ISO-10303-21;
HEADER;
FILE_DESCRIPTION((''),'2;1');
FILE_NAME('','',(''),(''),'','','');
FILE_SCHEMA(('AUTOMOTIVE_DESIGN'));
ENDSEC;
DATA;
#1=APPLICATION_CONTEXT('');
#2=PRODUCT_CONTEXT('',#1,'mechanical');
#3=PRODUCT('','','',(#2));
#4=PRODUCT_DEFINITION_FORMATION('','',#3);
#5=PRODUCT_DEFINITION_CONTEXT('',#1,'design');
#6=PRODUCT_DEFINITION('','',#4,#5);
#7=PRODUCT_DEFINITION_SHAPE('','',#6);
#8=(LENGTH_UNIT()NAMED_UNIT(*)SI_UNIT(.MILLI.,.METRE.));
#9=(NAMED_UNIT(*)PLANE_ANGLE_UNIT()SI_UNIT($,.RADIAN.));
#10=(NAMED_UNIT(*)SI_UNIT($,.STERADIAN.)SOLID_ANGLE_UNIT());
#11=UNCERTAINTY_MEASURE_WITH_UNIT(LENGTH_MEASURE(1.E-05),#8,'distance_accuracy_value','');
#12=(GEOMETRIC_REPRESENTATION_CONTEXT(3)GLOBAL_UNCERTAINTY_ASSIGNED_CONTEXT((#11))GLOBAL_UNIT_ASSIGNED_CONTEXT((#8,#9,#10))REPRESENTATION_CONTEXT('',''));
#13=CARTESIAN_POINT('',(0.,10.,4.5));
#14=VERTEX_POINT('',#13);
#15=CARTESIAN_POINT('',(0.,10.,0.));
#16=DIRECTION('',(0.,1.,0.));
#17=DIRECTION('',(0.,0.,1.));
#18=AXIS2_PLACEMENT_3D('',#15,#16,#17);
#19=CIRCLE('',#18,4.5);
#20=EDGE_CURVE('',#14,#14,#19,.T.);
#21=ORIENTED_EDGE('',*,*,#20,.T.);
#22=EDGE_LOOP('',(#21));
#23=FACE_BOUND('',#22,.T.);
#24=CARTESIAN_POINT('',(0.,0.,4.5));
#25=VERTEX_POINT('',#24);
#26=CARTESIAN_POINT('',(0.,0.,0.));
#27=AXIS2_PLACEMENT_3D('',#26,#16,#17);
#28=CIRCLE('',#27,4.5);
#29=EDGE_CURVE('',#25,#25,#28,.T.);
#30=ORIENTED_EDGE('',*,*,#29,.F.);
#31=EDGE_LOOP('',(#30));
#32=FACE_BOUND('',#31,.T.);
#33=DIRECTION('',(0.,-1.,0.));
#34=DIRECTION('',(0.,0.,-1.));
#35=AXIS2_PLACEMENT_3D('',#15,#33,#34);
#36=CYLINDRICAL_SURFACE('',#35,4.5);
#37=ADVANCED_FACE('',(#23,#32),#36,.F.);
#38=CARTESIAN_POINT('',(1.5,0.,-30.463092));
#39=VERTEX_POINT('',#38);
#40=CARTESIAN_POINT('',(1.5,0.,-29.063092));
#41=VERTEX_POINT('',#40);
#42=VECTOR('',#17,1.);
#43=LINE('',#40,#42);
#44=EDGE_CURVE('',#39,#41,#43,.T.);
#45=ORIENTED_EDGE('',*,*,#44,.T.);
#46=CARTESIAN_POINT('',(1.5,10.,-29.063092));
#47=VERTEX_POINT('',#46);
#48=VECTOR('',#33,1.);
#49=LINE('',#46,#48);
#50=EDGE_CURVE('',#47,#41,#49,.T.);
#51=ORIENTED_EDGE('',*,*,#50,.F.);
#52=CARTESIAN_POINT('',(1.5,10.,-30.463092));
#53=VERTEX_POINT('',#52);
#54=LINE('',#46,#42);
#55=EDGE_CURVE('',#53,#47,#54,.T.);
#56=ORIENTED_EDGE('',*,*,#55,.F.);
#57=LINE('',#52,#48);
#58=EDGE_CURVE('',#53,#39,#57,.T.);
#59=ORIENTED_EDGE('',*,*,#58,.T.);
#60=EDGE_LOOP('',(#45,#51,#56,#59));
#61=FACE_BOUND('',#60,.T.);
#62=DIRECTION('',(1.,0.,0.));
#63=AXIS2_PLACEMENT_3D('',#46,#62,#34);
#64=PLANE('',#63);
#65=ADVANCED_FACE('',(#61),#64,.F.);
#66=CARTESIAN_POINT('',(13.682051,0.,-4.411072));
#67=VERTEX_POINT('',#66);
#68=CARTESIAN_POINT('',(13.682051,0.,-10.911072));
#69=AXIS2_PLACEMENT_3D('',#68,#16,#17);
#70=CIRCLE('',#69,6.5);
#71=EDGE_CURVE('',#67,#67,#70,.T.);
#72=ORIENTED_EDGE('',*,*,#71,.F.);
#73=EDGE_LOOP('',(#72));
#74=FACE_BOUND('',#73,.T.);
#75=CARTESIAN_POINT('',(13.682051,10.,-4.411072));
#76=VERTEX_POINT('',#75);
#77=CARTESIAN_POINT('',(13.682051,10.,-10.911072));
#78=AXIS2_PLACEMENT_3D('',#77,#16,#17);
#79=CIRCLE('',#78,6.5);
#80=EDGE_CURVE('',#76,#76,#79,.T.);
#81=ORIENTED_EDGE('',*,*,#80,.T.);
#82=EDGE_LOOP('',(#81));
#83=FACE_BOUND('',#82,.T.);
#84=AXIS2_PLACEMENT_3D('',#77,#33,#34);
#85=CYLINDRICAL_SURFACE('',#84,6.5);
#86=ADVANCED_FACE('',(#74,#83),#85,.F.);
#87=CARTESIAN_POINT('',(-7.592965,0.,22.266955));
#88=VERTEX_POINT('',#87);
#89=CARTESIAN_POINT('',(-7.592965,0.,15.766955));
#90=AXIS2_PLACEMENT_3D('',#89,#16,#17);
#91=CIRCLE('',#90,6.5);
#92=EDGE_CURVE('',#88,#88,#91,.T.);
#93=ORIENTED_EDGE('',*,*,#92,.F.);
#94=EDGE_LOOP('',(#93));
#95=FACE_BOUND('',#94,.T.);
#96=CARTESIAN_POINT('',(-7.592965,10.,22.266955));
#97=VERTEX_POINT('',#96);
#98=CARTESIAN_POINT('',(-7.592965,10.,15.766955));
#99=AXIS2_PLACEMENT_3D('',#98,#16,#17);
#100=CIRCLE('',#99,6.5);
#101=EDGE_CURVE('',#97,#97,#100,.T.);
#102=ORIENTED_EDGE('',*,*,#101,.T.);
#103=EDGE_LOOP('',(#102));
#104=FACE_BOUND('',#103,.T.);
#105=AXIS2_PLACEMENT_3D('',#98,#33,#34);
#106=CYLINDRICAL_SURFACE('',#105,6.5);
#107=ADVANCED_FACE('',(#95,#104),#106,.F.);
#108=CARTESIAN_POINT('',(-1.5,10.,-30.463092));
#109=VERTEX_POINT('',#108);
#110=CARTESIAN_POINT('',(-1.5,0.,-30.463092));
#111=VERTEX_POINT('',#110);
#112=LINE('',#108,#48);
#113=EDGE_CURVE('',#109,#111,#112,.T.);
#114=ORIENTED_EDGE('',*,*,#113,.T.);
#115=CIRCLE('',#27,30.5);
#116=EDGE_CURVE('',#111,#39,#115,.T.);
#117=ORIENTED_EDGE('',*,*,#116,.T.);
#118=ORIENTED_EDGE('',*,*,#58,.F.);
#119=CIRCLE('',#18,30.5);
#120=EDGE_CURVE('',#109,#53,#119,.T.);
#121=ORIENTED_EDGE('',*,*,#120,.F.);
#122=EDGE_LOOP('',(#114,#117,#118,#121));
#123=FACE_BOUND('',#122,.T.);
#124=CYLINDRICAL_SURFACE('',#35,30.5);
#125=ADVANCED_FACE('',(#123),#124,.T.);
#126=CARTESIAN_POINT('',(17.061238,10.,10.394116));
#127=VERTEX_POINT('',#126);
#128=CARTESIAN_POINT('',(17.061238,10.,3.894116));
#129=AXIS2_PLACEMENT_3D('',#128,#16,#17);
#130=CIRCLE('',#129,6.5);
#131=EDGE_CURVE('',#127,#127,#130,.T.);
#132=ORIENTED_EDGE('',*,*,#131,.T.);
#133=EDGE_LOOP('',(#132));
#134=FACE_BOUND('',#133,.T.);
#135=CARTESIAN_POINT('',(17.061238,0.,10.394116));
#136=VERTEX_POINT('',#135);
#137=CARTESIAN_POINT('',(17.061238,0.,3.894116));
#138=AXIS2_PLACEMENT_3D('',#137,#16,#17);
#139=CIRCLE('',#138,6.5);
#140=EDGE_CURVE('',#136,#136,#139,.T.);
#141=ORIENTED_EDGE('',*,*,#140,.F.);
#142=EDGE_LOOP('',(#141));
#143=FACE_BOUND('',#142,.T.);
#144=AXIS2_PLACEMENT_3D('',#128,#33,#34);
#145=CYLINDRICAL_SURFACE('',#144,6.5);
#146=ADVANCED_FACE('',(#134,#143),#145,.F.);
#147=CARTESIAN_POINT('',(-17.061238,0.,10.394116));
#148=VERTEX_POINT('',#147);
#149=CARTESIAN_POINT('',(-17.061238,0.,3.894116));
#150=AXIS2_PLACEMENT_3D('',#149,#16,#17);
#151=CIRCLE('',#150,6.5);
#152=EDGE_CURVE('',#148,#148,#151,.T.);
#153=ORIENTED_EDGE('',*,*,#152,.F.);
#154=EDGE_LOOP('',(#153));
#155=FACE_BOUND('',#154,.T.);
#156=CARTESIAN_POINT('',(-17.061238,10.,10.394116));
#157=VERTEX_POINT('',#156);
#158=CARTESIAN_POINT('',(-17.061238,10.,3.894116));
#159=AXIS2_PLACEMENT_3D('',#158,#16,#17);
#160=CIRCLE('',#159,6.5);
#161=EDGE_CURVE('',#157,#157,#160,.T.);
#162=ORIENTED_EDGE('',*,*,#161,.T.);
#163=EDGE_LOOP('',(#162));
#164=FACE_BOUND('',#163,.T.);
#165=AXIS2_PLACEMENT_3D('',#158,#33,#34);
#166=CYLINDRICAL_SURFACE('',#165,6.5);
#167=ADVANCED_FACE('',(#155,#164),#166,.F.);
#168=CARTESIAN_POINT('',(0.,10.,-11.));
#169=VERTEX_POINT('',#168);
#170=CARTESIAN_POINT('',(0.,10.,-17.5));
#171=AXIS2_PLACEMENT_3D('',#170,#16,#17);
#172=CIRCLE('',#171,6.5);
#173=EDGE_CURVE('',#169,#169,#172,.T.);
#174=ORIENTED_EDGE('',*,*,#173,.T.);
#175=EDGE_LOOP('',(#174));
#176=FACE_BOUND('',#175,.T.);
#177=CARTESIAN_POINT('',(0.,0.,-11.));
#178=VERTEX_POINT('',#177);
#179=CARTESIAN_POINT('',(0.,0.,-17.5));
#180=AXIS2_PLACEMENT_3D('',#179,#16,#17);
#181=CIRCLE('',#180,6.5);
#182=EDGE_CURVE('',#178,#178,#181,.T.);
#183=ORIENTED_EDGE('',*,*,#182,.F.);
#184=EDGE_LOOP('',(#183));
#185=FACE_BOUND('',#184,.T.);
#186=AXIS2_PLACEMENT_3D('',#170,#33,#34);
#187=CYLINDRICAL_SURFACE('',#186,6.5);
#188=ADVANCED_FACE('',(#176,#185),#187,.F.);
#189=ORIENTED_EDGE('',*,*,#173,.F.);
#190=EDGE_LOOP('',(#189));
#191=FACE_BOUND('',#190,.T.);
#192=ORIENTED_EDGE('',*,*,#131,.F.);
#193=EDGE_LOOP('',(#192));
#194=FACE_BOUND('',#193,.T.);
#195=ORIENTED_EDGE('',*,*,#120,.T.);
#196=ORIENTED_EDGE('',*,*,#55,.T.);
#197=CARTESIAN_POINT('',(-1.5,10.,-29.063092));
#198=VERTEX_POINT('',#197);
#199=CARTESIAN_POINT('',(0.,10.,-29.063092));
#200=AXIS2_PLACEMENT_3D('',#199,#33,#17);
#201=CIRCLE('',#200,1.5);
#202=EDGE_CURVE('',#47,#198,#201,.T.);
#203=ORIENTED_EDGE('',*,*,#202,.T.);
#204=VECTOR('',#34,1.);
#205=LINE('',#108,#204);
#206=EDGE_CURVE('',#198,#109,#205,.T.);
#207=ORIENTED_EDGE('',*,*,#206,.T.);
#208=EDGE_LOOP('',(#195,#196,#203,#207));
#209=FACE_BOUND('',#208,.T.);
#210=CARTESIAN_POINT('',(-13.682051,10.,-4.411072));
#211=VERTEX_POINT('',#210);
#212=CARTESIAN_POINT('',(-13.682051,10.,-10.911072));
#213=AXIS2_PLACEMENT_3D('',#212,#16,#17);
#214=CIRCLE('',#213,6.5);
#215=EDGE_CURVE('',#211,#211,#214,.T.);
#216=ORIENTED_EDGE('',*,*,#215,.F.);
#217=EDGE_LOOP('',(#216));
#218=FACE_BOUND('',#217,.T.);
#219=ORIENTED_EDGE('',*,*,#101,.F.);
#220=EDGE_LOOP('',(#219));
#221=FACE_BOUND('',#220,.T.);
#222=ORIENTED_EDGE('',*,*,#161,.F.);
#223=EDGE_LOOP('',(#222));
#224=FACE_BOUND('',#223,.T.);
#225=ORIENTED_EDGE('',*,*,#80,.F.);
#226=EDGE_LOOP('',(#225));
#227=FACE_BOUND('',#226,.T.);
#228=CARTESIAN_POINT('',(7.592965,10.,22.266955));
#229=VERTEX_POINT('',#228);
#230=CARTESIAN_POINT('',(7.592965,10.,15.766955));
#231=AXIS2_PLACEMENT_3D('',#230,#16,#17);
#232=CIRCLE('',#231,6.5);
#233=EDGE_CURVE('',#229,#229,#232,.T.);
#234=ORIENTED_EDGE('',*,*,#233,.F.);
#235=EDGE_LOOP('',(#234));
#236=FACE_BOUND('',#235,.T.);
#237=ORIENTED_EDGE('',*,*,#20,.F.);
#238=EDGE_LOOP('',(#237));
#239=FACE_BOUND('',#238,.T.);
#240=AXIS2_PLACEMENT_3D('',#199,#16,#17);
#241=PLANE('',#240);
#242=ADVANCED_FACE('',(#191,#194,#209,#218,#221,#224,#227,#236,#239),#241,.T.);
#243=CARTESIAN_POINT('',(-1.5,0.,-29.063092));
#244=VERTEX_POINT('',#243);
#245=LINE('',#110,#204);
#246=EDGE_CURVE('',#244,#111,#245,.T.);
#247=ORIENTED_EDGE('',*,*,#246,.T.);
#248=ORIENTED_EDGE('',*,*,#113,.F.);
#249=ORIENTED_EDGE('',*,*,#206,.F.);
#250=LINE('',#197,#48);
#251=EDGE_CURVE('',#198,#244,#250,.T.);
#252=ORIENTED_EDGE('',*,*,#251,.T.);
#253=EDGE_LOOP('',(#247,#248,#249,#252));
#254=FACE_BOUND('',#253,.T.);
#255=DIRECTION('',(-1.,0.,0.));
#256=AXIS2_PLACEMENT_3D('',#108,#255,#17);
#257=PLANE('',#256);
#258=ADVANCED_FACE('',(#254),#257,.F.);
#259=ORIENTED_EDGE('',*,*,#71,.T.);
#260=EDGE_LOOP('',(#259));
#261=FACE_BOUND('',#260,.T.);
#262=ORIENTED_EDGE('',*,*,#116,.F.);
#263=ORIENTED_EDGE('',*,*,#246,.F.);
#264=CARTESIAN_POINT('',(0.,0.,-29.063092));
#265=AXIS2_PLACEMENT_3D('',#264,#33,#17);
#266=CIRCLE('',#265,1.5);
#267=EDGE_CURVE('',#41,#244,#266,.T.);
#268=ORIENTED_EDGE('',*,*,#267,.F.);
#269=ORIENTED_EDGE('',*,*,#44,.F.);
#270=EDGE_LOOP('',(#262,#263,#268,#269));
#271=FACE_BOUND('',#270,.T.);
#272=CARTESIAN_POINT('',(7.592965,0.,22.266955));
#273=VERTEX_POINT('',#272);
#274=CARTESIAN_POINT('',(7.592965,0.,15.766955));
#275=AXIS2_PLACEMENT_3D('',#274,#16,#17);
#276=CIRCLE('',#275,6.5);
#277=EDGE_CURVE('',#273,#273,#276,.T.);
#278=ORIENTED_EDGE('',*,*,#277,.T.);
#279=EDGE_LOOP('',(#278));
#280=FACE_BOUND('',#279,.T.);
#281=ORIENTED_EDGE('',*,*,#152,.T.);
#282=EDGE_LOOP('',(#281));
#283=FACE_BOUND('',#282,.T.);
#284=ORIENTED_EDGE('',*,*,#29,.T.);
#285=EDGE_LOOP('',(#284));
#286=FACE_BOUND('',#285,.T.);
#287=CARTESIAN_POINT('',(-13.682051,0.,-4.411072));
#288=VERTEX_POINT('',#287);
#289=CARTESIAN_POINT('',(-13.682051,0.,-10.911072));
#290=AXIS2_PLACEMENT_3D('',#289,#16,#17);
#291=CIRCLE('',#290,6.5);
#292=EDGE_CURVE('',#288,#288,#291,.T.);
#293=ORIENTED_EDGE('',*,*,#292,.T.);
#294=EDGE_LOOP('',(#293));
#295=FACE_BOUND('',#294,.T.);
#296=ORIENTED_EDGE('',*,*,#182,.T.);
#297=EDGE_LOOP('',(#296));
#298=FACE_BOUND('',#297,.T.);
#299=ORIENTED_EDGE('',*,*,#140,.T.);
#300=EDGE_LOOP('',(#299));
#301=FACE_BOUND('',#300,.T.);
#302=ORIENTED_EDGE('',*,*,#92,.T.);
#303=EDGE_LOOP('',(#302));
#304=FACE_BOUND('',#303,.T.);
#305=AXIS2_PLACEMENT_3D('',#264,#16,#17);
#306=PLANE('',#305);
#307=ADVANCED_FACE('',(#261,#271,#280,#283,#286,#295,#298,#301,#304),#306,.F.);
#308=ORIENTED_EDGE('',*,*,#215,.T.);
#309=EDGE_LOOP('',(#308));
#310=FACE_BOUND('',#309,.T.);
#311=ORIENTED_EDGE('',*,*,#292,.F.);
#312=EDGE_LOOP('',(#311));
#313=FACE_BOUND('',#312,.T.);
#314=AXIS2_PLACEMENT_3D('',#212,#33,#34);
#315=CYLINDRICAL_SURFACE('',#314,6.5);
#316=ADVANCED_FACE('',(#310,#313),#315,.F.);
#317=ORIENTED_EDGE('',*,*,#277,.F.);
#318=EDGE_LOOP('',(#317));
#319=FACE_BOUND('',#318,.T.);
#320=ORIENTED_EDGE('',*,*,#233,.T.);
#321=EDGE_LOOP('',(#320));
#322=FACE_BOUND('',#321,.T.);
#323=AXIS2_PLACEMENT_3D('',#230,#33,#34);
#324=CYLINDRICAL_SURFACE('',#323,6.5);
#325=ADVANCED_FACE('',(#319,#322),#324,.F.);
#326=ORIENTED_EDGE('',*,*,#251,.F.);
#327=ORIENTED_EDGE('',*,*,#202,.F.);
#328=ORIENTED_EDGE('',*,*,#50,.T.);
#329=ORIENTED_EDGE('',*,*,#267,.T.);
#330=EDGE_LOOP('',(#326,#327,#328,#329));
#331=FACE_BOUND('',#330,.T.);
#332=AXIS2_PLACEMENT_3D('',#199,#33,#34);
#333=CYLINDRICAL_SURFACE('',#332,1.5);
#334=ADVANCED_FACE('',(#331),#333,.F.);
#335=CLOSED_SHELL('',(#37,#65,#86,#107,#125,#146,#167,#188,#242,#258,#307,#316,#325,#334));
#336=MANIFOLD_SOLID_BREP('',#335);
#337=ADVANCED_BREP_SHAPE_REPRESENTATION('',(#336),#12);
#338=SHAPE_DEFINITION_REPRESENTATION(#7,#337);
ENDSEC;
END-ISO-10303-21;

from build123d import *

# Parameters (mm, degrees)
SZKIC1_R                    = 4.5
SZKIC1_R_2                  = 6.5
DODANIE_WYCI_GNI_CIE1_DEPTH = 10


with BuildPart() as part:
    # Szkic1 → Dodanie-wyciągnięcie1 (new body)
    with BuildSketch(Plane(origin=(0, 0, 0), x_dir=(1, 0, 0), z_dir=(0, 1, 0))):
        with BuildLine():
            Line((-1.5, 30.463092423), (-1.5, 29.063092423))
            ThreePointArc((-1.5, 29.063092423), (0, 27.563092423), (1.5, 29.063092423))
            Line((1.5, 29.063092423), (1.5, 30.463092423))
            ThreePointArc((1.5, 30.463092423), (0, -30.5), (-1.5, 30.463092423))
        make_face()
        with Locations(Location((0, 0, 0), (0, 0, 270))):
            Circle(SZKIC1_R, mode=Mode.SUBTRACT)
        with Locations(Location((0, 17.5, 0), (0, 0, 270))):
            Circle(SZKIC1_R_2, mode=Mode.SUBTRACT)
        with Locations(Location((13.682050943, 10.911071533, 0), (0, 0, 270))):
            Circle(SZKIC1_R_2, mode=Mode.SUBTRACT)
        with Locations(Location((17.061238463, -3.894116344, 0), (0, 0, 270))):
            Circle(SZKIC1_R_2, mode=Mode.SUBTRACT)
        with Locations(Location((7.592965435, -15.766955188, 0), (0, 0, 270))):
            Circle(SZKIC1_R_2, mode=Mode.SUBTRACT)
        with Locations(Location((-7.592965435, -15.766955188, 0), (0, 0, 270))):
            Circle(SZKIC1_R_2, mode=Mode.SUBTRACT)
        with Locations(Location((-17.061238463, -3.894116344, 0), (0, 0, 270))):
            Circle(SZKIC1_R_2, mode=Mode.SUBTRACT)
        with Locations(Location((-13.682050943, 10.911071533, 0), (0, 0, 270))):
            Circle(SZKIC1_R_2, mode=Mode.SUBTRACT)
    extrude(amount=DODANIE_WYCI_GNI_CIE1_DEPTH)


solid = part.part
